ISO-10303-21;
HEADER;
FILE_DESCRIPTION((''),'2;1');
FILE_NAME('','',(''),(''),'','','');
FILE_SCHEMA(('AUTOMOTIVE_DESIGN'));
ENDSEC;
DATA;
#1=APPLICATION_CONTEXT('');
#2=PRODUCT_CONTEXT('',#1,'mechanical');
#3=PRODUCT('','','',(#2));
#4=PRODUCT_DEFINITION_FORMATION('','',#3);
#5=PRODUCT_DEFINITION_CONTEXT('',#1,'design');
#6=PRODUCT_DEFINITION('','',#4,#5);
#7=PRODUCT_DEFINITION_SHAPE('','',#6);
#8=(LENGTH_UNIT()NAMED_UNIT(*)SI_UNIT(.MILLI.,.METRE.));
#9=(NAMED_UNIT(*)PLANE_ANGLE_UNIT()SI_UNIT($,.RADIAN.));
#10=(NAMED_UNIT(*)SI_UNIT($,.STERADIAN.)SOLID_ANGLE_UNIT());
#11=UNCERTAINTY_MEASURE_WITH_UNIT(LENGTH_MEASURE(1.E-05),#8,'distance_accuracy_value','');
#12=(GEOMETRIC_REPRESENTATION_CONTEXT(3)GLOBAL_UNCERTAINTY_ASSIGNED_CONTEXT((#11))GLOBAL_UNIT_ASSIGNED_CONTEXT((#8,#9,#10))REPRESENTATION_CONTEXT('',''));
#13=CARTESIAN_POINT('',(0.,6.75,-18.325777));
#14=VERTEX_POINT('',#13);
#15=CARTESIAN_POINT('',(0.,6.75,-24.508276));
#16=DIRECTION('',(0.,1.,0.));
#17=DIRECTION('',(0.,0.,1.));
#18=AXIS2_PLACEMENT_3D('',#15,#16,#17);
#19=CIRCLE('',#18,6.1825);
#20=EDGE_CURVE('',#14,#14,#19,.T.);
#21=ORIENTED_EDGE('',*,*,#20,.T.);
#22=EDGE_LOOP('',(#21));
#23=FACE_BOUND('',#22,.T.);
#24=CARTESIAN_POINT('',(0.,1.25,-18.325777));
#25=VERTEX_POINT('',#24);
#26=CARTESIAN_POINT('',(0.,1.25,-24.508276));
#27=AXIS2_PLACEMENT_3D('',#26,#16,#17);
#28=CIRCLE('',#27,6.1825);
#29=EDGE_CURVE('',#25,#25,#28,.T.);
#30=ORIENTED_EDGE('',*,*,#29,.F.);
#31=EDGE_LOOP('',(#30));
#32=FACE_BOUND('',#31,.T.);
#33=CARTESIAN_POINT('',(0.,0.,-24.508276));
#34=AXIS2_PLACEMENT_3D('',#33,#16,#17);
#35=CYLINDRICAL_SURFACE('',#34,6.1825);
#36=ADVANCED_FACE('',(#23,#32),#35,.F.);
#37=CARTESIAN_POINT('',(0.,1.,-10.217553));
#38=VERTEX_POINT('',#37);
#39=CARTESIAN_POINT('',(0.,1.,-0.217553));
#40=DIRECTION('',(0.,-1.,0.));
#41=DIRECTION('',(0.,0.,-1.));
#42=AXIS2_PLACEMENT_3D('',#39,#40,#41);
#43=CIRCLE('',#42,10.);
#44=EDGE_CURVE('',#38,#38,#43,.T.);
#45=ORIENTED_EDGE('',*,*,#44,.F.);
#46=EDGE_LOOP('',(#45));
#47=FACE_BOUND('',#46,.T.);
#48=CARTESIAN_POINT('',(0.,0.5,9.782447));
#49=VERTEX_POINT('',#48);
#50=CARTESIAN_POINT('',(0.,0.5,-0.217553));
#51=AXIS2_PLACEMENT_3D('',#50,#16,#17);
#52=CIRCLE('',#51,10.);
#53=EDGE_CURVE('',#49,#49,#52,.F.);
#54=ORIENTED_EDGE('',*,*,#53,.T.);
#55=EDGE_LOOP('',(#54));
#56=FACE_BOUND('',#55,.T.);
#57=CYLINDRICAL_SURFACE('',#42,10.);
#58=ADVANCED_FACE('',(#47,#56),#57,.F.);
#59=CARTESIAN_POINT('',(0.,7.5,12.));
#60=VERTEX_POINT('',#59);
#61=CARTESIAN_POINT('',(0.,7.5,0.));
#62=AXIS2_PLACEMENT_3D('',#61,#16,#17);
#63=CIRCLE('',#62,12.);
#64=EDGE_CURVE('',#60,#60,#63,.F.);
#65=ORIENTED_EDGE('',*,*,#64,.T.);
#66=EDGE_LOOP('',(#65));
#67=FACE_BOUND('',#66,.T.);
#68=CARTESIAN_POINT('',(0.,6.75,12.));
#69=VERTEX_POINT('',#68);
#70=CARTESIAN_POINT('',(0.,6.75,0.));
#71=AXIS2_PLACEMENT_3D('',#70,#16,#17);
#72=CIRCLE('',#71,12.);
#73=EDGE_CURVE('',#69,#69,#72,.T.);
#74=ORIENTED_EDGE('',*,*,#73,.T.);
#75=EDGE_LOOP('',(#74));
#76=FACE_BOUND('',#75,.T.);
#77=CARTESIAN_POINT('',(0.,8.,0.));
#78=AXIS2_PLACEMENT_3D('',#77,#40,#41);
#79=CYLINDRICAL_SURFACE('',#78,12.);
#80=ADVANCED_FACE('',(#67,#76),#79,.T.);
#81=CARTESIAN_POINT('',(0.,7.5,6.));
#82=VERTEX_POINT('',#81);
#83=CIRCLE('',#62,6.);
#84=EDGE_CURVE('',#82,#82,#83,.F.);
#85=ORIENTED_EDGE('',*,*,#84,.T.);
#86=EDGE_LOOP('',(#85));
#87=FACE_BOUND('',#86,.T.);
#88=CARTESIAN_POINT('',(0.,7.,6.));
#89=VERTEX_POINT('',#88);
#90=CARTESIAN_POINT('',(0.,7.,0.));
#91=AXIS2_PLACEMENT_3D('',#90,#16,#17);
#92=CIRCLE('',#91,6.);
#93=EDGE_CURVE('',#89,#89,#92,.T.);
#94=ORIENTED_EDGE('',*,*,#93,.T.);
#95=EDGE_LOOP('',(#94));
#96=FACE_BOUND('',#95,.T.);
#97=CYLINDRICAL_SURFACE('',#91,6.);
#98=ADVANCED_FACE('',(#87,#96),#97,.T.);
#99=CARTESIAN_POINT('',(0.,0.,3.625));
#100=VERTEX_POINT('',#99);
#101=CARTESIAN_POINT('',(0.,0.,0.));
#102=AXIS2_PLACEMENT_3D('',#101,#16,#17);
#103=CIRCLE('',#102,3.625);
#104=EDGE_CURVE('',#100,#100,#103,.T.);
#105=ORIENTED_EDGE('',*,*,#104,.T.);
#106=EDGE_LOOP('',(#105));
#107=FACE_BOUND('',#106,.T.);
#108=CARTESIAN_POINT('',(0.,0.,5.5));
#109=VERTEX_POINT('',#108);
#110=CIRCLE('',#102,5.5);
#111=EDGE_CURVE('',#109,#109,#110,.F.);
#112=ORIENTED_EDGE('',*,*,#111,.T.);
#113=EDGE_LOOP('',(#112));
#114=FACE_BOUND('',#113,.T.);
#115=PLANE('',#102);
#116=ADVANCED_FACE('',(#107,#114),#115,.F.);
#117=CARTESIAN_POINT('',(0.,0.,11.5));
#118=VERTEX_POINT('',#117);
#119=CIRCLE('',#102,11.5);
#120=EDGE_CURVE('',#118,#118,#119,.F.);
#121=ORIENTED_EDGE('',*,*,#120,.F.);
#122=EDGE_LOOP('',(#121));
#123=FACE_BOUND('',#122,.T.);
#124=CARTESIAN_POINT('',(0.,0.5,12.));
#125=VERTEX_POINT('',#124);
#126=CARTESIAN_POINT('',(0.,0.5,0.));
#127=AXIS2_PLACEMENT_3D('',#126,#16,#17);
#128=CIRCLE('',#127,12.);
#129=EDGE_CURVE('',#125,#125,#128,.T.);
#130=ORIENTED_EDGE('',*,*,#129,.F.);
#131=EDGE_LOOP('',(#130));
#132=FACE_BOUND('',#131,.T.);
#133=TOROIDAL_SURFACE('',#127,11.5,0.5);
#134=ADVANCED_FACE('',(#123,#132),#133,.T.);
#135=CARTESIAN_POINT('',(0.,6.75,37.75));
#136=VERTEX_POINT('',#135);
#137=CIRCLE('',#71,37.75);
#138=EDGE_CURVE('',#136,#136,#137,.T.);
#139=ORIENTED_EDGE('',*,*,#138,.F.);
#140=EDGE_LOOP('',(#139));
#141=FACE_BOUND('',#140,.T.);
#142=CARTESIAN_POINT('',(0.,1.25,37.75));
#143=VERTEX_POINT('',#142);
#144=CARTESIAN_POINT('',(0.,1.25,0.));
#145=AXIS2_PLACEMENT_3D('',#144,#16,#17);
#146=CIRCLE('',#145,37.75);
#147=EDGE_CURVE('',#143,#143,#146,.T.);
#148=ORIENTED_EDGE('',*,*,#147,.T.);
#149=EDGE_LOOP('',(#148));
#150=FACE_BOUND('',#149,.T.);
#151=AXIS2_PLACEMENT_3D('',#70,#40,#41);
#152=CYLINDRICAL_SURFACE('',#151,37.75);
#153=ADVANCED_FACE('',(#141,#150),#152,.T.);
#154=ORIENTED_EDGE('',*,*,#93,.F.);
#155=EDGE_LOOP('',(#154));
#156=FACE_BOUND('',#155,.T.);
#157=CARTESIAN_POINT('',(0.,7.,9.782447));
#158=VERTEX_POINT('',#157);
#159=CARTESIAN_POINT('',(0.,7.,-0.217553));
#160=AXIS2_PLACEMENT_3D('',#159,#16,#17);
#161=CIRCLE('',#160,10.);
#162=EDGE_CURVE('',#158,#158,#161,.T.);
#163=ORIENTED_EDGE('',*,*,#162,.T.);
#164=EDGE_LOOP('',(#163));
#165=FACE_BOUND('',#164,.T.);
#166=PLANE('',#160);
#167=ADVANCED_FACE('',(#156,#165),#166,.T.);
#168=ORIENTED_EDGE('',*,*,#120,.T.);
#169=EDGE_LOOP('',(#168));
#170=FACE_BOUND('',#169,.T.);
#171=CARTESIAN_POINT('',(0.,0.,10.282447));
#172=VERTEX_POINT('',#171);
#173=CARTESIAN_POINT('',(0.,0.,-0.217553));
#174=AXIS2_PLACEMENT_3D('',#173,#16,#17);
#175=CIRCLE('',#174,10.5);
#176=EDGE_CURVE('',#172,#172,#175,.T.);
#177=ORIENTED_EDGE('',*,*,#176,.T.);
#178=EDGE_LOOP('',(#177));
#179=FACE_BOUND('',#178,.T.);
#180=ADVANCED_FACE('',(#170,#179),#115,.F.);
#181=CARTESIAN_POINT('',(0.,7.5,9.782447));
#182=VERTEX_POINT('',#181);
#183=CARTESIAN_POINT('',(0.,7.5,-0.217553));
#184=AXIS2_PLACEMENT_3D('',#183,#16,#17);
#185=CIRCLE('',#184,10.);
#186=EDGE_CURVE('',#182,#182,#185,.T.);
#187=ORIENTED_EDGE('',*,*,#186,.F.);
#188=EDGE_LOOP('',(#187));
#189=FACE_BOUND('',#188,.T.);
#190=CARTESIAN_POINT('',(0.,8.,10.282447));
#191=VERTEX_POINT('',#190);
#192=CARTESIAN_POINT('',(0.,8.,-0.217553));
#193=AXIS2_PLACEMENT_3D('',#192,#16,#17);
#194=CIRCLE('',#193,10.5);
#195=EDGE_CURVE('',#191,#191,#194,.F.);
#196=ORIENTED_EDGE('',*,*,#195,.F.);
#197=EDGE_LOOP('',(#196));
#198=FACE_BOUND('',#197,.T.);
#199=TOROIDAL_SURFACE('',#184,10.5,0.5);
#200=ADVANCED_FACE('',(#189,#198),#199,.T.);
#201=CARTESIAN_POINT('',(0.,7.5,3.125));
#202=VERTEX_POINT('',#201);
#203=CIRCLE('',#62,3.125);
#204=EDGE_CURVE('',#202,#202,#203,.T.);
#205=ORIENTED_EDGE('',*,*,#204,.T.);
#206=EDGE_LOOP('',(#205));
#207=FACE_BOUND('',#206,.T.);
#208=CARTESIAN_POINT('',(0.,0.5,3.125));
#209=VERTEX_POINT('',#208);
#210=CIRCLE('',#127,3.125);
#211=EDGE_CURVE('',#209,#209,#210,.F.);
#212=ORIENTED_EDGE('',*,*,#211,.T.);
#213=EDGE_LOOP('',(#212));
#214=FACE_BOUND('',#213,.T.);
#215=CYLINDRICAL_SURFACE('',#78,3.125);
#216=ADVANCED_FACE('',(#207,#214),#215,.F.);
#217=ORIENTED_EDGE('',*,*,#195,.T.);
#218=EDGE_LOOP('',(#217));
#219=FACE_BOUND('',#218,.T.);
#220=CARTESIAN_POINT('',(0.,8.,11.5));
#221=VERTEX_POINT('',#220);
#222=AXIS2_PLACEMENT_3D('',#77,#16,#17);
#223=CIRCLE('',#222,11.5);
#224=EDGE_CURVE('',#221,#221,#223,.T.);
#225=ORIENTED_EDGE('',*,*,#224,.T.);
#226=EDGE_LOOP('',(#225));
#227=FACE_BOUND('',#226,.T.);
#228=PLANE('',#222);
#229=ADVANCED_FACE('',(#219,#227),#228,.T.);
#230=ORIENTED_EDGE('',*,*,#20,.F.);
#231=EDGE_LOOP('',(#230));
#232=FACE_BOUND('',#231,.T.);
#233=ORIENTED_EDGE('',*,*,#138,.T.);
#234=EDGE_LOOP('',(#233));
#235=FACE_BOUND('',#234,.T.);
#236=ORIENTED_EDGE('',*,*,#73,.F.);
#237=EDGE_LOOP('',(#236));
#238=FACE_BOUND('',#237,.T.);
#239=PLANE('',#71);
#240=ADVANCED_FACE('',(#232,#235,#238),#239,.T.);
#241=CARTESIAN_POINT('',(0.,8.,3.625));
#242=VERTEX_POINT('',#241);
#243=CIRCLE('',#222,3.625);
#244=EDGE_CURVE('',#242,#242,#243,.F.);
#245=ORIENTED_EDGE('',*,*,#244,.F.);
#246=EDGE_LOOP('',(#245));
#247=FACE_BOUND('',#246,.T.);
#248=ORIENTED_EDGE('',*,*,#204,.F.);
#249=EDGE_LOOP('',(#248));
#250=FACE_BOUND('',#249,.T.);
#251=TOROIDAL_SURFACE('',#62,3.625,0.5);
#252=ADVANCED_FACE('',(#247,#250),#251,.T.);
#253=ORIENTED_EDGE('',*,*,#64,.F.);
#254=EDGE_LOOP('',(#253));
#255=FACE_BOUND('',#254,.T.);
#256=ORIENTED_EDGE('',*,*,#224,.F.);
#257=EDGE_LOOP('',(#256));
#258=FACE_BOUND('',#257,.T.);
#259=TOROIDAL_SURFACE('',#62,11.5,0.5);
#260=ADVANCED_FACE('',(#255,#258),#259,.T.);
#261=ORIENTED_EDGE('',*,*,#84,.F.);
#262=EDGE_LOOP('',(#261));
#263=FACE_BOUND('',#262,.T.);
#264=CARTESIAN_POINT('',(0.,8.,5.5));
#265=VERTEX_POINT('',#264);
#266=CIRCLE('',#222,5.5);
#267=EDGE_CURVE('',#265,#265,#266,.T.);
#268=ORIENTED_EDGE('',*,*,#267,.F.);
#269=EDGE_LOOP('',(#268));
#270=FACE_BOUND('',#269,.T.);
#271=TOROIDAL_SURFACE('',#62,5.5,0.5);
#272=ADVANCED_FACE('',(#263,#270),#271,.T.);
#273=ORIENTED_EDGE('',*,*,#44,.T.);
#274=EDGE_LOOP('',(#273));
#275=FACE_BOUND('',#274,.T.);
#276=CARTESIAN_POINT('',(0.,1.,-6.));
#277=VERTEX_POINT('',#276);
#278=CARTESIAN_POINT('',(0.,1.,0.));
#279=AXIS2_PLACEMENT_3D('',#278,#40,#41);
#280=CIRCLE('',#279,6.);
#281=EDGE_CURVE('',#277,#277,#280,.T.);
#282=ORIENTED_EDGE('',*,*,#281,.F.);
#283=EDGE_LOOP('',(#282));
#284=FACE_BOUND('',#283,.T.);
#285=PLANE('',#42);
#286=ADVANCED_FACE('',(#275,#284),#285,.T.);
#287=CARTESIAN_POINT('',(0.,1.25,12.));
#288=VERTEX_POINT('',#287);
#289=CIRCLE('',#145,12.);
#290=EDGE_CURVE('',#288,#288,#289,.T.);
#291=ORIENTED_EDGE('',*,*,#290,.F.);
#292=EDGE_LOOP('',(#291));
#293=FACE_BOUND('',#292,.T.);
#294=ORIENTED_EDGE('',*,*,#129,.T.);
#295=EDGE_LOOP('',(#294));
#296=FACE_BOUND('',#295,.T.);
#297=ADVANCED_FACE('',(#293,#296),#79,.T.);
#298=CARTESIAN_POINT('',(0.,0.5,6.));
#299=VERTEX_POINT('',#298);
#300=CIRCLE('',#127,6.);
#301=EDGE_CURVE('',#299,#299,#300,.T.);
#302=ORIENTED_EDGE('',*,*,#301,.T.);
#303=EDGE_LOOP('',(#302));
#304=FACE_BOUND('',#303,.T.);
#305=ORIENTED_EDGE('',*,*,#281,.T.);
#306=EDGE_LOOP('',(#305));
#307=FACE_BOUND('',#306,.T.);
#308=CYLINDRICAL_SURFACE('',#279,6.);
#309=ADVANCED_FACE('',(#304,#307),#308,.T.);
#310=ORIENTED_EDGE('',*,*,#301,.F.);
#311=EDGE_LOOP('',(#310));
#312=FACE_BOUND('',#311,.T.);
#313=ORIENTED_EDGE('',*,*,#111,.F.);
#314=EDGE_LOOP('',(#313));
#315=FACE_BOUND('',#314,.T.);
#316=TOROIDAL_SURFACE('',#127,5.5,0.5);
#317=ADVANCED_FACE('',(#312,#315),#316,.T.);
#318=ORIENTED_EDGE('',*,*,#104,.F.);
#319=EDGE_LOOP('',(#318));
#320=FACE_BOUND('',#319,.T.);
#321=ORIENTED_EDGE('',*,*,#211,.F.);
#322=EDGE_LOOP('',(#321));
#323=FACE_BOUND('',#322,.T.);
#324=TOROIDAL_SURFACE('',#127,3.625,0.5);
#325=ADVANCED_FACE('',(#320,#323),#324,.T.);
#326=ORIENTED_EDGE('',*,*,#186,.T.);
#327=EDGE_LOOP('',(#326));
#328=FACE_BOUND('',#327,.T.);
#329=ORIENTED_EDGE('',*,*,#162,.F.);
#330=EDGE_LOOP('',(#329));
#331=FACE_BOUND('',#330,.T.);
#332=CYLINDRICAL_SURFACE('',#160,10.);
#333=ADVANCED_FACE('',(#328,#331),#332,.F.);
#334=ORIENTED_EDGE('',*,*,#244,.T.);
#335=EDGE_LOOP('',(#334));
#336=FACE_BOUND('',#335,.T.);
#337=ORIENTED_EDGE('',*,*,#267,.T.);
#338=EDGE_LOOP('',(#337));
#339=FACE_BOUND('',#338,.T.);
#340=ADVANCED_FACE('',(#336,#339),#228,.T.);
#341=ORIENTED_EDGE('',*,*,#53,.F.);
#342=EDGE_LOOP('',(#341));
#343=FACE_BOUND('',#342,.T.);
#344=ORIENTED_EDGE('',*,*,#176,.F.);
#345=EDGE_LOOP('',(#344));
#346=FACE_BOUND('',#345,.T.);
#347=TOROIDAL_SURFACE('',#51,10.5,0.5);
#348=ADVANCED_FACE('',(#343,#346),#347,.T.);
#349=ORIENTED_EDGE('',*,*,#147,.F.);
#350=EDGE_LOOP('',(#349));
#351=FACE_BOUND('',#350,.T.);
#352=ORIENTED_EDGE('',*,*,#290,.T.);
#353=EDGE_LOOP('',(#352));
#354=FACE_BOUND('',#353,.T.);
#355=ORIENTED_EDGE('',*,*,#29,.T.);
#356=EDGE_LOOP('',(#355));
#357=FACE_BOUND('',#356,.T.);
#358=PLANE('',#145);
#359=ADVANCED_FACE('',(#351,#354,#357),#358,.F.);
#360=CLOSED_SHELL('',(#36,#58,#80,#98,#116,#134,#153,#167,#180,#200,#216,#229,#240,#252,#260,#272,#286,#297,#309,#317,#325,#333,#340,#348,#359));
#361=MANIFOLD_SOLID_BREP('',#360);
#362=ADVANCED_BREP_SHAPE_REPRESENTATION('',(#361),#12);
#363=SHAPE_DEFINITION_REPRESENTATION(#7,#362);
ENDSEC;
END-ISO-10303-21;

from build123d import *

# Parameters (mm, degrees)
CROQUIS1_R              = 12
CROQUIS1_R_2            = 3.125
SALIENTE_EXTRUIR1_DEPTH = 8
CROQUIS3_R              = 10
CROQUIS3_R_2            = 6
CORTAR_EXTRUIR1_DEPTH   = 1
CROQUIS4_R              = 10
CROQUIS4_R_2            = 6
CORTAR_EXTRUIR2_DEPTH   = 1
REDONDEO1_R             = 0.5
CROQUIS5_R              = 37.75
CROQUIS5_R_2            = 12
SALIENTE_EXTRUIR2_DEPTH = 2.75
CROQUIS6_R              = 6.182499901
CORTAR_EXTRUIR3_DEPTH   = 7.75


with BuildPart() as part:
    # Croquis1 → Saliente-Extruir1 (new body)
    with BuildSketch(Plane(origin=(0, 0, 0), x_dir=(1, 0, 0), z_dir=(0, 1, 0))):
        Circle(CROQUIS1_R)
        Circle(CROQUIS1_R_2, mode=Mode.SUBTRACT)
    extrude(amount=SALIENTE_EXTRUIR1_DEPTH)

    # Croquis3 → Cortar-Extruir1 (cut)
    with BuildSketch(Plane(origin=(0, 8, 0), x_dir=(1, 0, 0), z_dir=(0, 1, 0))):
        with Locations((0, 0.217552599)):
            Circle(CROQUIS3_R)
        Circle(CROQUIS3_R_2, mode=Mode.SUBTRACT)
    extrude(amount=-CORTAR_EXTRUIR1_DEPTH, mode=Mode.SUBTRACT)

    # Croquis4 → Cortar-Extruir2 (cut)
    with BuildSketch(Plane.XZ):
        with Locations((0, -0.217552599)):
            Circle(CROQUIS4_R)
        Circle(CROQUIS4_R_2, mode=Mode.SUBTRACT)
    extrude(amount=-CORTAR_EXTRUIR2_DEPTH, mode=Mode.SUBTRACT)

    # Redondeo1
    redondeo1_edges = [part.edges().sort_by_distance(p)[0] for p in [
        (-10, 8, -0.217552599),
        (-6, 8, 0),
        (-10, 0, -0.217552599),
        (-12, 0, 0),
        (-6, 0, 0),
        (-12, 8, 0),
        (-3.125, 0, 0),
        (-3.125, 8, 0),
    ]]
    fillet(redondeo1_edges, radius=REDONDEO1_R)

    # Croquis5 → Saliente-Extruir2 (add, symmetric)
    with BuildSketch(Plane(origin=(0, 4, 0), x_dir=(1, 0, 0), z_dir=(0, 1, 0))):
        Circle(CROQUIS5_R)
        Circle(CROQUIS5_R_2, mode=Mode.SUBTRACT)
    extrude(amount=SALIENTE_EXTRUIR2_DEPTH, both=True)

    # Croquis6 → Cortar-Extruir3 (cut, through all)
    with BuildSketch(Plane(origin=(0, 6.75, 0), x_dir=(1, 0, 0), z_dir=(0, 1, 0))):
        with Locations((0, 24.508276447)):
            Circle(CROQUIS6_R)
    extrude(amount=-CORTAR_EXTRUIR3_DEPTH, mode=Mode.SUBTRACT)


solid = part.part
